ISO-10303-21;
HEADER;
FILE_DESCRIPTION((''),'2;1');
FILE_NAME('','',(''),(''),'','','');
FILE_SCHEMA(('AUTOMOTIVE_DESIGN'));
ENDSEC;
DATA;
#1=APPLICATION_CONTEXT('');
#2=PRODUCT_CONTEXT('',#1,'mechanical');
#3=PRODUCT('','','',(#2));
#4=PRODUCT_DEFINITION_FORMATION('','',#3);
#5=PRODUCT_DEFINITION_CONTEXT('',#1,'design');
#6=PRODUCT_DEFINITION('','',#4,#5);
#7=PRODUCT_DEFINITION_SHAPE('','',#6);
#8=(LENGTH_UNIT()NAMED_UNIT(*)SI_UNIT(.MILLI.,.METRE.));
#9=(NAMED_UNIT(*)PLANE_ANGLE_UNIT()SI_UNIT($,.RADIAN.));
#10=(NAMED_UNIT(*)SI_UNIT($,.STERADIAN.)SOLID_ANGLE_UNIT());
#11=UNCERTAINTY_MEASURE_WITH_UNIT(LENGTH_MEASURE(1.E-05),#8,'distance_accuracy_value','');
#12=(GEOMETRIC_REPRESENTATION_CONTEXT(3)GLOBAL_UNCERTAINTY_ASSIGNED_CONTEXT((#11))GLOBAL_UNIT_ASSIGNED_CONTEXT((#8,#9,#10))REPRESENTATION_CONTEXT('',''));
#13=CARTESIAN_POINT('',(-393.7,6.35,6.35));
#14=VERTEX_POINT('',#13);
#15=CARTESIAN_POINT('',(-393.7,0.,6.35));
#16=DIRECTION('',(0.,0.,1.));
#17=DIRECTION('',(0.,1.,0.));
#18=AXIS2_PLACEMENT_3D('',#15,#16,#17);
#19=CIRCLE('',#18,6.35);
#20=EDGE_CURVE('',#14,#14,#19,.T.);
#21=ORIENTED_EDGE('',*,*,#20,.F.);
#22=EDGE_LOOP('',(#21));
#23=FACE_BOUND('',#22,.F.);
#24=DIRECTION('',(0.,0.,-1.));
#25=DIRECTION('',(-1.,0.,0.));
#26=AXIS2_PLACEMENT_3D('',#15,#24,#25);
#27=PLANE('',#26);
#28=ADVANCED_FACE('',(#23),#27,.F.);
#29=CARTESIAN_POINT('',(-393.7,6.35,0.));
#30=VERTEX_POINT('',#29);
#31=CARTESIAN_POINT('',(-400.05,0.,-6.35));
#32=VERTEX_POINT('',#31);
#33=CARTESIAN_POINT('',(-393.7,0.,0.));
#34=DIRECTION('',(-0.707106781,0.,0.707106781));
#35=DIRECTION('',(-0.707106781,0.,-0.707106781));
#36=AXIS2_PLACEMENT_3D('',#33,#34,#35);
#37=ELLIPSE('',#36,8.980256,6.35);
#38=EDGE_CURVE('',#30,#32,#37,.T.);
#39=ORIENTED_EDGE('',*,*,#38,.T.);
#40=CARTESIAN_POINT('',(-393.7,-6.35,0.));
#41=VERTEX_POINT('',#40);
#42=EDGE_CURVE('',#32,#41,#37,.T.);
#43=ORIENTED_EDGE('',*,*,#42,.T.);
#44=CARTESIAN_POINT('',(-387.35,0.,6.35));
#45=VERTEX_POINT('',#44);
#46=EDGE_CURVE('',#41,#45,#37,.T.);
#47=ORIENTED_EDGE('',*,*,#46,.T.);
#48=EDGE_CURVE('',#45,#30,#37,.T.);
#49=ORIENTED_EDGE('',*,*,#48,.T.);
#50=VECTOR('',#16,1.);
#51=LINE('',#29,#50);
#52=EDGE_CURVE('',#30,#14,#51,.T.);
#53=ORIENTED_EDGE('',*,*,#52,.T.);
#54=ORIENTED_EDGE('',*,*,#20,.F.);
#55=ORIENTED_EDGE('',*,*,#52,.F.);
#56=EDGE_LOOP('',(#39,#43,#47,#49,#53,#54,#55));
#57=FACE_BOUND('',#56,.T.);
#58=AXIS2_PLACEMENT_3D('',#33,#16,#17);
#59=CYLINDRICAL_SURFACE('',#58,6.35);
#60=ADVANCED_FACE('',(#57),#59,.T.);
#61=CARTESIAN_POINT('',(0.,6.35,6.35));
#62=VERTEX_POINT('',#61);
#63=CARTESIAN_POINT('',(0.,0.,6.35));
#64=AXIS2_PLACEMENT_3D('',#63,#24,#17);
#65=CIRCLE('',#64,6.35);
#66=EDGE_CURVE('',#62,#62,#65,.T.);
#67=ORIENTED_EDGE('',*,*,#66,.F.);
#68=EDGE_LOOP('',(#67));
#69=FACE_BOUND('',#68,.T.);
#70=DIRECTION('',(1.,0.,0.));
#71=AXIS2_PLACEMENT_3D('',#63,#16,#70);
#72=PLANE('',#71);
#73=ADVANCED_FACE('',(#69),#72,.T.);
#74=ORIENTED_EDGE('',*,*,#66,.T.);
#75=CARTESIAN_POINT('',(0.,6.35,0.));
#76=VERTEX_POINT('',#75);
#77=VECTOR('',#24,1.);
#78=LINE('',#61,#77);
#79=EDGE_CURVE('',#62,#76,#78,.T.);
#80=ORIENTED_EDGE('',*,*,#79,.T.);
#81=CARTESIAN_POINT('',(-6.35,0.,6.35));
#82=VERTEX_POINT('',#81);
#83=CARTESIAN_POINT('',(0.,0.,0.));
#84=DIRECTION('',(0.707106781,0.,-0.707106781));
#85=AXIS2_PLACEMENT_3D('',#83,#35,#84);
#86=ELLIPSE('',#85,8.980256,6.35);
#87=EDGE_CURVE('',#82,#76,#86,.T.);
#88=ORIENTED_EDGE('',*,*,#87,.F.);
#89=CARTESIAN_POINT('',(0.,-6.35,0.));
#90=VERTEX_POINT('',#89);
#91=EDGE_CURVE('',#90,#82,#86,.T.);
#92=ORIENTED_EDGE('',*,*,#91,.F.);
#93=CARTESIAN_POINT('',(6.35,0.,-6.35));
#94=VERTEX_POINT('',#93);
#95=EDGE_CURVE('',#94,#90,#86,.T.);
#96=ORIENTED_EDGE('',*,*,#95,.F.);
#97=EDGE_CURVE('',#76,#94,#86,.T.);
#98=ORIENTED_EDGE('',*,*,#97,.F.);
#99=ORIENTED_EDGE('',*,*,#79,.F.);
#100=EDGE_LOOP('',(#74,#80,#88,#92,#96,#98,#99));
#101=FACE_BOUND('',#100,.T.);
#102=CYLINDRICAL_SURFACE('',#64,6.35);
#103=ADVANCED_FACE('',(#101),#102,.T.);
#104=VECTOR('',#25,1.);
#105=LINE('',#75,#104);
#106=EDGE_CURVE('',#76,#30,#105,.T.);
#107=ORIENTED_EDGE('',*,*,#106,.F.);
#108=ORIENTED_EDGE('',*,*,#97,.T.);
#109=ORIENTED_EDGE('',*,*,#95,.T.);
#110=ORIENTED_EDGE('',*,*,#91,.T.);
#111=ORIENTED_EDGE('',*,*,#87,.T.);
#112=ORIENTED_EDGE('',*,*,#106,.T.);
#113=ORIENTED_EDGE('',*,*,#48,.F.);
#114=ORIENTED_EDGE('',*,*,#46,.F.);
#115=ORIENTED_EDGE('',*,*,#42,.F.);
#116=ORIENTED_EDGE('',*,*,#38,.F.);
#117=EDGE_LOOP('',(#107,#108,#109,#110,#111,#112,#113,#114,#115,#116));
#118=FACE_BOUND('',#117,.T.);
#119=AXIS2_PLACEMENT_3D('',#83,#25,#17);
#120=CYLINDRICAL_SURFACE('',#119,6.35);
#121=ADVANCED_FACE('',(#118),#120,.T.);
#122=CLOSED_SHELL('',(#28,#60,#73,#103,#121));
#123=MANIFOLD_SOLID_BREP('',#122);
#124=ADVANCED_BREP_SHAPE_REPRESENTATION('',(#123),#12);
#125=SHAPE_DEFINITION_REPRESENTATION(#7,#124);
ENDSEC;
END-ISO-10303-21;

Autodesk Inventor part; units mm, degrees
ref_plane "YZ Plane" through (0, 0, 0) normal (1, 0, 0) x (0, 1, 0)
ref_plane "XZ Plane" through (0, 0, 0) normal (0, 1, 0) x (-1, 0, 0)
ref_plane "XY Plane" through (0, 0, 0) normal (0, 0, 1) x (1, 0, 0)
sketch "Sketch1" plane through (0, 0, 0) normal (0, 1, 0) x (-1, 0, 0)
  line L0 (0, 6.35) -> (0, 0)
  line L1 (0, 0) -> (393.7, 0)
  line L2 (393.7, 0) -> (393.7, 6.35)
  dimension "d3" = 6.35
  dimension "d4" = 393.7
sketch "Sketch2" plane through (0, 0, 0) normal (1, 0, 0) x (0, 1, 0)
  circle A0 centre (0, 0) radius 6.35
  dimension "d1" = 12.7
sweep "Sweep1" add profiles "Sketch2" path "Sketch1"
properties part number "Catapult End"
